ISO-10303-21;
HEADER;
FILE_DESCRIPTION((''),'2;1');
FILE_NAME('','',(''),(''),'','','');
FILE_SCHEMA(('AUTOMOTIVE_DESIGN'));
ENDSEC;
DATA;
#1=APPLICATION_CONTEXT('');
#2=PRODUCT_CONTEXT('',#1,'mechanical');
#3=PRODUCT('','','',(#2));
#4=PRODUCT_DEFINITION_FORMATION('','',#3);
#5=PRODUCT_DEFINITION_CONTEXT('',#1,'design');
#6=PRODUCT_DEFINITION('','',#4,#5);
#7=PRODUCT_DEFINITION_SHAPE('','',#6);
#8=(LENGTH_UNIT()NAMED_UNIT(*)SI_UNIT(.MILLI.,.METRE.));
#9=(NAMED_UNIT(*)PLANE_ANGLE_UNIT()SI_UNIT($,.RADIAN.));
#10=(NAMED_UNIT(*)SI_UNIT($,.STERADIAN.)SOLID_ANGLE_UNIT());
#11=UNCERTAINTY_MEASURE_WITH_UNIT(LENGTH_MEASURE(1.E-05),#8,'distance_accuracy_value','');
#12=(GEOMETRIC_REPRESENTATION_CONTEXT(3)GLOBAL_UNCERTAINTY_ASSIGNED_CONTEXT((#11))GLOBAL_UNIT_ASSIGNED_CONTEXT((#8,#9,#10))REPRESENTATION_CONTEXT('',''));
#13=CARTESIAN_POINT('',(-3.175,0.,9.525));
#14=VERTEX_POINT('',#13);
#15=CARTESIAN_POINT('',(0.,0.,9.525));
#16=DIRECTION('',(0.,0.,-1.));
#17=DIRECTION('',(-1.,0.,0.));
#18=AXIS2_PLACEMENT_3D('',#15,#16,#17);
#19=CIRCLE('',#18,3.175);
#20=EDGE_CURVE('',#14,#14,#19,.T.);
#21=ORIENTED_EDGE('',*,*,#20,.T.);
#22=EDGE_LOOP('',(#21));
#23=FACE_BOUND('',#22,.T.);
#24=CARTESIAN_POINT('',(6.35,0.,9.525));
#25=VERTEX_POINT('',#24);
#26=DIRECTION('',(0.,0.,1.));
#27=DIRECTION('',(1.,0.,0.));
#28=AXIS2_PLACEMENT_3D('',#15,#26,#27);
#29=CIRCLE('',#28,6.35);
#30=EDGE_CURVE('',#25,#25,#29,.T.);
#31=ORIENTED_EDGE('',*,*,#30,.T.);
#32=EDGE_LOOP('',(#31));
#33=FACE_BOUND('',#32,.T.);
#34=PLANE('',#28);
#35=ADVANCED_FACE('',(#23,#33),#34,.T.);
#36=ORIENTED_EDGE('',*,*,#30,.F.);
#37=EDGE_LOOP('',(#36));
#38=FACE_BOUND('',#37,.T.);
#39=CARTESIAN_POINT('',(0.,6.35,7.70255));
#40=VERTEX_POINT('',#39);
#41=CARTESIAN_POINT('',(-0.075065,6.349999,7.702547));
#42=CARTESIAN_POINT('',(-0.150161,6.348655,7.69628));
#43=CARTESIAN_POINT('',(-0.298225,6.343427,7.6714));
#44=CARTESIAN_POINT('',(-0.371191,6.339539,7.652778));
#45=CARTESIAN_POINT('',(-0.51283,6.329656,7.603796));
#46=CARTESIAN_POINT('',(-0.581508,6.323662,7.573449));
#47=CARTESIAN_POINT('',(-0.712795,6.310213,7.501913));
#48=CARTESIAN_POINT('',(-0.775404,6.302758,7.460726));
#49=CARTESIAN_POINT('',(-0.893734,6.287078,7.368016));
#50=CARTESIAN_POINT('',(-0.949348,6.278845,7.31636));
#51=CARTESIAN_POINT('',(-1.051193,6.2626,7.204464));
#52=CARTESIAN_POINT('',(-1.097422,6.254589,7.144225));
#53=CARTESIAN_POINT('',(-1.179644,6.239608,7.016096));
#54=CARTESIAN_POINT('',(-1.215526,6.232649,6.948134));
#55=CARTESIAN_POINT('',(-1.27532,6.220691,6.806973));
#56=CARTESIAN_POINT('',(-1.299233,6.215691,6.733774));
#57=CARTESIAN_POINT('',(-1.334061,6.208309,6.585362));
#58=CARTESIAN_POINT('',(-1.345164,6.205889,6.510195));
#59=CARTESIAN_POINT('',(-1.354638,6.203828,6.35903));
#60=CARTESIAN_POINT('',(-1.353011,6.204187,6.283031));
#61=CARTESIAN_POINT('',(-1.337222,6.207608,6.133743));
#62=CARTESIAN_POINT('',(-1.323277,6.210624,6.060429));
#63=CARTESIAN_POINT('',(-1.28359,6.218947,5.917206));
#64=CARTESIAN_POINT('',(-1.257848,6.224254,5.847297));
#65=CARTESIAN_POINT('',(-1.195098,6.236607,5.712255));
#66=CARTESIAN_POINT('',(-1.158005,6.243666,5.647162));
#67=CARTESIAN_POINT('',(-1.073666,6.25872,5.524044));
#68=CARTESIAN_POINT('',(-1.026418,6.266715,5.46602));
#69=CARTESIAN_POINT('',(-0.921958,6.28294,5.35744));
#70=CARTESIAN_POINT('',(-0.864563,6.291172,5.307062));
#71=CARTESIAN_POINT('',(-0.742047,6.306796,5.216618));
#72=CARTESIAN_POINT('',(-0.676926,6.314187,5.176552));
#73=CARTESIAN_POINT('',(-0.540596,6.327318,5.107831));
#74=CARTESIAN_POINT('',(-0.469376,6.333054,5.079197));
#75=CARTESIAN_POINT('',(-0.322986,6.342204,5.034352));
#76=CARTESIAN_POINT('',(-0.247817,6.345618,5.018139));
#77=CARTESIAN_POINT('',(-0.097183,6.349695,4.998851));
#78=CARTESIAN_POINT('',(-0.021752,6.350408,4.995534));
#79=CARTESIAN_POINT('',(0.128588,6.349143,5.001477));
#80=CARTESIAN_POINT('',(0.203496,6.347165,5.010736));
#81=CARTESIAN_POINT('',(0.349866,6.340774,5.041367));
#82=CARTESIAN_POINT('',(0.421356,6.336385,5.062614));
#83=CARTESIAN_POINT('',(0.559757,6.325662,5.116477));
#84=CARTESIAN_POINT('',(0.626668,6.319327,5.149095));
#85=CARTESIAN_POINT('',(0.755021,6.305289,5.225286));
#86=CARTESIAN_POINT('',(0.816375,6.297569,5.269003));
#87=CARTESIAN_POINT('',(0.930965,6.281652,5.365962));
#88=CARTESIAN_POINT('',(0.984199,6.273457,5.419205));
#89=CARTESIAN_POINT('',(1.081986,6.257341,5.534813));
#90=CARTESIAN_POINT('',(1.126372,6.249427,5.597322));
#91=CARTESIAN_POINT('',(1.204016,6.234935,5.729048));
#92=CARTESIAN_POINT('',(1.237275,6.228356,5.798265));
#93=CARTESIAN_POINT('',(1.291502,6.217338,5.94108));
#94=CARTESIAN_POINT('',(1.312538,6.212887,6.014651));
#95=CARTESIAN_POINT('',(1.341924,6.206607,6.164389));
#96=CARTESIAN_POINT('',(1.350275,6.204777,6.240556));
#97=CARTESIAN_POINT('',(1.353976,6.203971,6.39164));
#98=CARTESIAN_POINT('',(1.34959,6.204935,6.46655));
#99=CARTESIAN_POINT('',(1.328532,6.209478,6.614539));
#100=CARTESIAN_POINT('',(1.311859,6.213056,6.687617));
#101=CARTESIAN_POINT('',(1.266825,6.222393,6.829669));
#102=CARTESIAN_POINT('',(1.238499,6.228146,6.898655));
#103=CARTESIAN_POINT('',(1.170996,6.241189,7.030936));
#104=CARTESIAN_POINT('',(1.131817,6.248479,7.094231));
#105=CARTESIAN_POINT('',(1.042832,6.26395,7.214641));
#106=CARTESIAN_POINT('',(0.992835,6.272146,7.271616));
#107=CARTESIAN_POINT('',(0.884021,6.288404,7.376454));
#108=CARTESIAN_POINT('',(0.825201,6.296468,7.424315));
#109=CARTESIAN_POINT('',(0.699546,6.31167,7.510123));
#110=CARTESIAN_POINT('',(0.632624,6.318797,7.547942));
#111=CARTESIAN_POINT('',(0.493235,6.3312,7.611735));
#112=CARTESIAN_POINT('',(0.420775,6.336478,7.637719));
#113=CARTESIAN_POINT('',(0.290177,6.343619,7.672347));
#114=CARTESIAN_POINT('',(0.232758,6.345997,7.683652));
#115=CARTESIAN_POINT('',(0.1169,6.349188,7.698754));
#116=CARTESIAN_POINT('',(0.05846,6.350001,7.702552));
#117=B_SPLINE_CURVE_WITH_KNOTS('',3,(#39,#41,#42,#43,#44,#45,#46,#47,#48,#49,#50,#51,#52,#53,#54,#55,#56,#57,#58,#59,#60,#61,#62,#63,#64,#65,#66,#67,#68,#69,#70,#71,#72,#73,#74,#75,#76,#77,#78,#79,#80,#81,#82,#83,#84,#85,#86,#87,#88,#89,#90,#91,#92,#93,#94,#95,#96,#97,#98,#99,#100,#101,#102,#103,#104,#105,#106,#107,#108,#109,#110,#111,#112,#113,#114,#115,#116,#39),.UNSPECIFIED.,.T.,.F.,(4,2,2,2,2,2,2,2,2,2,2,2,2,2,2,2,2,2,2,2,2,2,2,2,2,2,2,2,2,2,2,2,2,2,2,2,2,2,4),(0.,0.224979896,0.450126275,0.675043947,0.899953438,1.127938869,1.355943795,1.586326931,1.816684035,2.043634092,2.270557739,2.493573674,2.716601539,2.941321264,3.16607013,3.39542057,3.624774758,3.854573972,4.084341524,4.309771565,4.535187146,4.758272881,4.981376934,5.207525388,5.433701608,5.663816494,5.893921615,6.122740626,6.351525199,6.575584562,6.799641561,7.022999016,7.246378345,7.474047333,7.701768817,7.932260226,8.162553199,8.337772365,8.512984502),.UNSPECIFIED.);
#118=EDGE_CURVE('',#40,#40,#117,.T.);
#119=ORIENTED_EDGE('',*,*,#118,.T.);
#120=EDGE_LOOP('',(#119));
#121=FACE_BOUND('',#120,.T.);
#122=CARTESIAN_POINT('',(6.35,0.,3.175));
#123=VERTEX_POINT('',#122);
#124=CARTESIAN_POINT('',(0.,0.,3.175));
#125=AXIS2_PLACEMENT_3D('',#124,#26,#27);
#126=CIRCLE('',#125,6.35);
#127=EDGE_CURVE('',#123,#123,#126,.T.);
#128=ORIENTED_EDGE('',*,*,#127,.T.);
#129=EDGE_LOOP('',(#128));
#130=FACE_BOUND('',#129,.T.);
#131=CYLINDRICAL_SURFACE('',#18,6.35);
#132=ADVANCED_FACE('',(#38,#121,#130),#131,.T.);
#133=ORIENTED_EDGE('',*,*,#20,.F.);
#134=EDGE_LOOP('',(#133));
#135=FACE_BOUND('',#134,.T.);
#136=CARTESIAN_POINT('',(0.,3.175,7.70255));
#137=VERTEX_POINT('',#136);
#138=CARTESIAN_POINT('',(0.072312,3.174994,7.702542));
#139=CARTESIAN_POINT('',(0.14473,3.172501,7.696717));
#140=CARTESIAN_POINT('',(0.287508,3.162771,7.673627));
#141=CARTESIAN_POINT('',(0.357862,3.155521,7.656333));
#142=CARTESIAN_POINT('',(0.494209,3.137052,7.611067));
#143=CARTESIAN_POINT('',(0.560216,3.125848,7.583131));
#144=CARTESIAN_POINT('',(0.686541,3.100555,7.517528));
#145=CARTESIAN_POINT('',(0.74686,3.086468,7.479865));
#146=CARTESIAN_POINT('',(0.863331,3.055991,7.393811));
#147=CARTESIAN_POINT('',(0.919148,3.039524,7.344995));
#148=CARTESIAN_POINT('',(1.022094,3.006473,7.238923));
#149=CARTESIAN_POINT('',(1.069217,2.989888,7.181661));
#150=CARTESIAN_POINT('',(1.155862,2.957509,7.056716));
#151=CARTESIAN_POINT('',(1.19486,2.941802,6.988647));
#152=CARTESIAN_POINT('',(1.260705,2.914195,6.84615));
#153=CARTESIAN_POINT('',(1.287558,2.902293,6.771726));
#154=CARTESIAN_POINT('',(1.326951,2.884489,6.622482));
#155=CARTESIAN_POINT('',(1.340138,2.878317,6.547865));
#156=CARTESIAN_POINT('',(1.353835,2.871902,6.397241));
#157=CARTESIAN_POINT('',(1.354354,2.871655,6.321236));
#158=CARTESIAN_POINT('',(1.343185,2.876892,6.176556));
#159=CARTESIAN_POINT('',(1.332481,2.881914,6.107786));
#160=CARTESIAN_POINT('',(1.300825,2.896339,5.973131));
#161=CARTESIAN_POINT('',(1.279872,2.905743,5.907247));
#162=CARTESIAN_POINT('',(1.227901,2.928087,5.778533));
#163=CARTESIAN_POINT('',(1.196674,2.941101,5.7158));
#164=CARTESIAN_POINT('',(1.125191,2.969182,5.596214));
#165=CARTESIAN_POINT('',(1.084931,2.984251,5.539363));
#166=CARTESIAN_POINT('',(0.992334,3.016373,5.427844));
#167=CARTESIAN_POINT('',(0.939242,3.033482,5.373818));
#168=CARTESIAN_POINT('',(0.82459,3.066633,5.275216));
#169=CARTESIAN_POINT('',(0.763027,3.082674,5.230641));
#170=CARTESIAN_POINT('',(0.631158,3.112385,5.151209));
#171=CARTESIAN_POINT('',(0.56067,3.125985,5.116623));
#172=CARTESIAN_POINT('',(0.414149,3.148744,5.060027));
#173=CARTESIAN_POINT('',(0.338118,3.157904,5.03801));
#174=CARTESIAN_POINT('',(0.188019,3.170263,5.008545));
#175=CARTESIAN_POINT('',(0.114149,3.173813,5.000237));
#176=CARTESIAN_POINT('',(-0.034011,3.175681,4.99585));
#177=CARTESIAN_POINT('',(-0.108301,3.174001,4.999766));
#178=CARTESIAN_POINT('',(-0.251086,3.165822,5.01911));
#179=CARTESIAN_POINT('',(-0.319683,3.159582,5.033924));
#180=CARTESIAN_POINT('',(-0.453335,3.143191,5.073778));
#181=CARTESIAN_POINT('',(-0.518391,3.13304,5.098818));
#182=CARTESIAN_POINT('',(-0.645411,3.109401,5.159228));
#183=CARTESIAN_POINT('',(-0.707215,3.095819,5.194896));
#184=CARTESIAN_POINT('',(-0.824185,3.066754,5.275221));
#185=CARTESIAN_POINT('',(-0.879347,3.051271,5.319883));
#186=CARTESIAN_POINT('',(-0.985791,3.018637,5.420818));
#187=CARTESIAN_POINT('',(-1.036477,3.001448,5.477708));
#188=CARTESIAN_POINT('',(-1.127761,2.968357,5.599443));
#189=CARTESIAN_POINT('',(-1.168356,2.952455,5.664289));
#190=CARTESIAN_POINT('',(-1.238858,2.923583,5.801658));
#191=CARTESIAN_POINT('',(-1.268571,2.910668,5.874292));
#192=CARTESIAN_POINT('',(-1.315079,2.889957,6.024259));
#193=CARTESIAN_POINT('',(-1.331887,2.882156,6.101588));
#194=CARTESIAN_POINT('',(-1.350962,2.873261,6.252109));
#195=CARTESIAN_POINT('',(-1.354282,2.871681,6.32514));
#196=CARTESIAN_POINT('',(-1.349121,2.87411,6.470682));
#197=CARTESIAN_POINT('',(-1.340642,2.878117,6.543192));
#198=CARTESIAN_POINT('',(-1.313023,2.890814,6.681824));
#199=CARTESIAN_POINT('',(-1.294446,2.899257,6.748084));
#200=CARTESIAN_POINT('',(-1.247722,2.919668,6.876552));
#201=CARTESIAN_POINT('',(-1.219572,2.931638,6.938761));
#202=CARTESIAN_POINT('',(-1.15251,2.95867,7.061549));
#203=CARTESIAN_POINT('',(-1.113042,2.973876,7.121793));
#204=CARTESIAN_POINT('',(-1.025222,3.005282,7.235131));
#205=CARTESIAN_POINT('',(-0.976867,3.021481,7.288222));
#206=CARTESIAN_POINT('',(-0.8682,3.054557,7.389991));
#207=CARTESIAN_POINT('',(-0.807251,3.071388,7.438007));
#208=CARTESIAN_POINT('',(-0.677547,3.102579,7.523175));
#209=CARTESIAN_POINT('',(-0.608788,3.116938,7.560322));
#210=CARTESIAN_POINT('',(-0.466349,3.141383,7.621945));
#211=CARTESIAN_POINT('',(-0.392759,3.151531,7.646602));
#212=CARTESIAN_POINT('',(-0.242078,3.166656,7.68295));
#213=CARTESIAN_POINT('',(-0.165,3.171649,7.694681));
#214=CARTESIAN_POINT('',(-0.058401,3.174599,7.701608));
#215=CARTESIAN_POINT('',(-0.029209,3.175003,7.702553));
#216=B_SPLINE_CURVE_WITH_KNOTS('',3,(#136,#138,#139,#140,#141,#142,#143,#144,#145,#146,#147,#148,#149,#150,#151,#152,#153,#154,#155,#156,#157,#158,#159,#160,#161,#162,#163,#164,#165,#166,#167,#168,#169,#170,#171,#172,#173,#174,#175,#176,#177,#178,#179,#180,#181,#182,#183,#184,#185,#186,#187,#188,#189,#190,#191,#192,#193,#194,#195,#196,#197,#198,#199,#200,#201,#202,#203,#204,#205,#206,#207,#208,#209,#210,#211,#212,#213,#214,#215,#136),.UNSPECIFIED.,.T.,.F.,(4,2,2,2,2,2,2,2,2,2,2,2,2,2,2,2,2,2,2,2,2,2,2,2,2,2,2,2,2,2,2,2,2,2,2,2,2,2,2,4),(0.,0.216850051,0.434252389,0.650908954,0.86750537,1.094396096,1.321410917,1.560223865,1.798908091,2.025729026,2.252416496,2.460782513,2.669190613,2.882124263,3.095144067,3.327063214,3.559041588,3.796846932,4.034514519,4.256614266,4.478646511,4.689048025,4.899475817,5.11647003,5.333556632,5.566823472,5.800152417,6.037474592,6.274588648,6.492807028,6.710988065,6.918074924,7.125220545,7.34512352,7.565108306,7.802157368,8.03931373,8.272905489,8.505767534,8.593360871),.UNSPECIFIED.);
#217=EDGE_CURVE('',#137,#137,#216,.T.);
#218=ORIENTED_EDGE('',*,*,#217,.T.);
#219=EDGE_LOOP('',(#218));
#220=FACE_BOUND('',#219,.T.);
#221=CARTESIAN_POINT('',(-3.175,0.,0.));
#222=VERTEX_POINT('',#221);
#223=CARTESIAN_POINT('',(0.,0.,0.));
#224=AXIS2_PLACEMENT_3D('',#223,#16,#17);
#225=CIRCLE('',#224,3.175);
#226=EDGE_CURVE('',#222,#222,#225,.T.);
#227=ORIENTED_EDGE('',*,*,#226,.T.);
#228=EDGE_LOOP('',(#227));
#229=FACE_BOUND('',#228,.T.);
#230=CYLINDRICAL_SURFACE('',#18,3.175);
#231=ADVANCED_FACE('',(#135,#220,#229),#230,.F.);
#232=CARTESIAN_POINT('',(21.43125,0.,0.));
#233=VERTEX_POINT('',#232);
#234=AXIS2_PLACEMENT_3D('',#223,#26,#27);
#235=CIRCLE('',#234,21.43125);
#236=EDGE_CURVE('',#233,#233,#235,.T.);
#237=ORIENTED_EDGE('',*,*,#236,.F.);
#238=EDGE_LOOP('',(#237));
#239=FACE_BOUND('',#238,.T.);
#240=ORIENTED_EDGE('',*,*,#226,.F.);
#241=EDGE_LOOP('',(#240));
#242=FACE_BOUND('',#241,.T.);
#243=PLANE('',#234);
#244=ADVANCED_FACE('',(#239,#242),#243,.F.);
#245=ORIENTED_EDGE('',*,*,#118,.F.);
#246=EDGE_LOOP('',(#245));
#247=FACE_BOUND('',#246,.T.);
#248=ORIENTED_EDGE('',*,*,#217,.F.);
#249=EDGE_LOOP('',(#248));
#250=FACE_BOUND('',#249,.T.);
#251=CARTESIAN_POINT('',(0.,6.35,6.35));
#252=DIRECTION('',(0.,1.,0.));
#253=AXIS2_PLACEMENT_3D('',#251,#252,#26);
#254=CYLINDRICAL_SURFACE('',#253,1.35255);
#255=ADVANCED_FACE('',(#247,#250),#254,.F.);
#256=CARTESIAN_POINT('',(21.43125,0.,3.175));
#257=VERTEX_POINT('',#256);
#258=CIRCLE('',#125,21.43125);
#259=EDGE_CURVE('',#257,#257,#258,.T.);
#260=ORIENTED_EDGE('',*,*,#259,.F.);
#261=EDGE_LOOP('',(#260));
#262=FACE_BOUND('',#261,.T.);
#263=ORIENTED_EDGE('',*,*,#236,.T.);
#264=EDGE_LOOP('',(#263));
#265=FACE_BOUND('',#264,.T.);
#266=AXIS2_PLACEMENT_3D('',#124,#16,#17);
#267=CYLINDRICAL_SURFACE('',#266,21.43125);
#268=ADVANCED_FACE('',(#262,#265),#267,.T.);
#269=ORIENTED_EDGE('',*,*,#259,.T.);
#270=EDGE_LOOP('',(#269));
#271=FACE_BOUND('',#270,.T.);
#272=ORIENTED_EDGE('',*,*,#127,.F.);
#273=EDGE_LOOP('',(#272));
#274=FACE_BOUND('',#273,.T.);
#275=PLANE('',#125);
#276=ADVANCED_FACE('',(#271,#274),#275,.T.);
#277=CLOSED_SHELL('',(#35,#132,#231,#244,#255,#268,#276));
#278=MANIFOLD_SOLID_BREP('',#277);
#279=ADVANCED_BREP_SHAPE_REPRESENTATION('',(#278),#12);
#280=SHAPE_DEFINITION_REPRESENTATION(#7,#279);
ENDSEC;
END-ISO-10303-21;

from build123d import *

# Parameters (mm, degrees)
SKETCH1_R                  = 21.43125
BOSS_EXTRUDE1_DEPTH        = 3.175
SKETCH2_R                  = 6.35
BOSS_EXTRUDE2_DEPTH        = 6.35
SKETCH3_R                  = 3.175
CUT_EXTRUDE1_DEPTH         = 32.769837553
F_6_32_TAPPED_HOLE1_REACH  = 38.357
F_6_32_TAPPED_HOLE1_BORE_R = 1.35255


with BuildPart() as part:
    # Sketch1 → Boss-Extrude1 (new body)
    with BuildSketch(Plane.XY):
        Circle(SKETCH1_R)
    extrude(amount=BOSS_EXTRUDE1_DEPTH)

    # Sketch2 → Boss-Extrude2 (add)
    with BuildSketch(Plane.XY.offset(3.175)):
        Circle(SKETCH2_R)
    extrude(amount=BOSS_EXTRUDE2_DEPTH)

    # Sketch3 → Cut-Extrude1 (cut, through all)
    with BuildSketch(Plane(origin=(0, 0, 0), x_dir=(-1, 0, 0), z_dir=(0, 0, -1))):
        Circle(SKETCH3_R)
    extrude(amount=-CUT_EXTRUDE1_DEPTH, mode=Mode.SUBTRACT)

    # #6-32 Tapped Hole1 bore → #6-32 Tapped Hole1 (cut, up to next)
    with BuildSketch(Plane(origin=(0, 6.35, 0), x_dir=(1, 0, 0), z_dir=(0, 1, 0)), mode=Mode.PRIVATE) as f_6_32_tapped_hole1_sk1:
        with Locations((0, -6.35)):
            Circle(F_6_32_TAPPED_HOLE1_BORE_R)
    f_6_32_tapped_hole1_tool1 = extrude(f_6_32_tapped_hole1_sk1.sketch, amount=-F_6_32_TAPPED_HOLE1_REACH, mode=Mode.PRIVATE) & part.part
    add(f_6_32_tapped_hole1_tool1.solids().sort_by_distance((0, 6.35, 6.35))[0], mode=Mode.SUBTRACT)


solid = part.part
